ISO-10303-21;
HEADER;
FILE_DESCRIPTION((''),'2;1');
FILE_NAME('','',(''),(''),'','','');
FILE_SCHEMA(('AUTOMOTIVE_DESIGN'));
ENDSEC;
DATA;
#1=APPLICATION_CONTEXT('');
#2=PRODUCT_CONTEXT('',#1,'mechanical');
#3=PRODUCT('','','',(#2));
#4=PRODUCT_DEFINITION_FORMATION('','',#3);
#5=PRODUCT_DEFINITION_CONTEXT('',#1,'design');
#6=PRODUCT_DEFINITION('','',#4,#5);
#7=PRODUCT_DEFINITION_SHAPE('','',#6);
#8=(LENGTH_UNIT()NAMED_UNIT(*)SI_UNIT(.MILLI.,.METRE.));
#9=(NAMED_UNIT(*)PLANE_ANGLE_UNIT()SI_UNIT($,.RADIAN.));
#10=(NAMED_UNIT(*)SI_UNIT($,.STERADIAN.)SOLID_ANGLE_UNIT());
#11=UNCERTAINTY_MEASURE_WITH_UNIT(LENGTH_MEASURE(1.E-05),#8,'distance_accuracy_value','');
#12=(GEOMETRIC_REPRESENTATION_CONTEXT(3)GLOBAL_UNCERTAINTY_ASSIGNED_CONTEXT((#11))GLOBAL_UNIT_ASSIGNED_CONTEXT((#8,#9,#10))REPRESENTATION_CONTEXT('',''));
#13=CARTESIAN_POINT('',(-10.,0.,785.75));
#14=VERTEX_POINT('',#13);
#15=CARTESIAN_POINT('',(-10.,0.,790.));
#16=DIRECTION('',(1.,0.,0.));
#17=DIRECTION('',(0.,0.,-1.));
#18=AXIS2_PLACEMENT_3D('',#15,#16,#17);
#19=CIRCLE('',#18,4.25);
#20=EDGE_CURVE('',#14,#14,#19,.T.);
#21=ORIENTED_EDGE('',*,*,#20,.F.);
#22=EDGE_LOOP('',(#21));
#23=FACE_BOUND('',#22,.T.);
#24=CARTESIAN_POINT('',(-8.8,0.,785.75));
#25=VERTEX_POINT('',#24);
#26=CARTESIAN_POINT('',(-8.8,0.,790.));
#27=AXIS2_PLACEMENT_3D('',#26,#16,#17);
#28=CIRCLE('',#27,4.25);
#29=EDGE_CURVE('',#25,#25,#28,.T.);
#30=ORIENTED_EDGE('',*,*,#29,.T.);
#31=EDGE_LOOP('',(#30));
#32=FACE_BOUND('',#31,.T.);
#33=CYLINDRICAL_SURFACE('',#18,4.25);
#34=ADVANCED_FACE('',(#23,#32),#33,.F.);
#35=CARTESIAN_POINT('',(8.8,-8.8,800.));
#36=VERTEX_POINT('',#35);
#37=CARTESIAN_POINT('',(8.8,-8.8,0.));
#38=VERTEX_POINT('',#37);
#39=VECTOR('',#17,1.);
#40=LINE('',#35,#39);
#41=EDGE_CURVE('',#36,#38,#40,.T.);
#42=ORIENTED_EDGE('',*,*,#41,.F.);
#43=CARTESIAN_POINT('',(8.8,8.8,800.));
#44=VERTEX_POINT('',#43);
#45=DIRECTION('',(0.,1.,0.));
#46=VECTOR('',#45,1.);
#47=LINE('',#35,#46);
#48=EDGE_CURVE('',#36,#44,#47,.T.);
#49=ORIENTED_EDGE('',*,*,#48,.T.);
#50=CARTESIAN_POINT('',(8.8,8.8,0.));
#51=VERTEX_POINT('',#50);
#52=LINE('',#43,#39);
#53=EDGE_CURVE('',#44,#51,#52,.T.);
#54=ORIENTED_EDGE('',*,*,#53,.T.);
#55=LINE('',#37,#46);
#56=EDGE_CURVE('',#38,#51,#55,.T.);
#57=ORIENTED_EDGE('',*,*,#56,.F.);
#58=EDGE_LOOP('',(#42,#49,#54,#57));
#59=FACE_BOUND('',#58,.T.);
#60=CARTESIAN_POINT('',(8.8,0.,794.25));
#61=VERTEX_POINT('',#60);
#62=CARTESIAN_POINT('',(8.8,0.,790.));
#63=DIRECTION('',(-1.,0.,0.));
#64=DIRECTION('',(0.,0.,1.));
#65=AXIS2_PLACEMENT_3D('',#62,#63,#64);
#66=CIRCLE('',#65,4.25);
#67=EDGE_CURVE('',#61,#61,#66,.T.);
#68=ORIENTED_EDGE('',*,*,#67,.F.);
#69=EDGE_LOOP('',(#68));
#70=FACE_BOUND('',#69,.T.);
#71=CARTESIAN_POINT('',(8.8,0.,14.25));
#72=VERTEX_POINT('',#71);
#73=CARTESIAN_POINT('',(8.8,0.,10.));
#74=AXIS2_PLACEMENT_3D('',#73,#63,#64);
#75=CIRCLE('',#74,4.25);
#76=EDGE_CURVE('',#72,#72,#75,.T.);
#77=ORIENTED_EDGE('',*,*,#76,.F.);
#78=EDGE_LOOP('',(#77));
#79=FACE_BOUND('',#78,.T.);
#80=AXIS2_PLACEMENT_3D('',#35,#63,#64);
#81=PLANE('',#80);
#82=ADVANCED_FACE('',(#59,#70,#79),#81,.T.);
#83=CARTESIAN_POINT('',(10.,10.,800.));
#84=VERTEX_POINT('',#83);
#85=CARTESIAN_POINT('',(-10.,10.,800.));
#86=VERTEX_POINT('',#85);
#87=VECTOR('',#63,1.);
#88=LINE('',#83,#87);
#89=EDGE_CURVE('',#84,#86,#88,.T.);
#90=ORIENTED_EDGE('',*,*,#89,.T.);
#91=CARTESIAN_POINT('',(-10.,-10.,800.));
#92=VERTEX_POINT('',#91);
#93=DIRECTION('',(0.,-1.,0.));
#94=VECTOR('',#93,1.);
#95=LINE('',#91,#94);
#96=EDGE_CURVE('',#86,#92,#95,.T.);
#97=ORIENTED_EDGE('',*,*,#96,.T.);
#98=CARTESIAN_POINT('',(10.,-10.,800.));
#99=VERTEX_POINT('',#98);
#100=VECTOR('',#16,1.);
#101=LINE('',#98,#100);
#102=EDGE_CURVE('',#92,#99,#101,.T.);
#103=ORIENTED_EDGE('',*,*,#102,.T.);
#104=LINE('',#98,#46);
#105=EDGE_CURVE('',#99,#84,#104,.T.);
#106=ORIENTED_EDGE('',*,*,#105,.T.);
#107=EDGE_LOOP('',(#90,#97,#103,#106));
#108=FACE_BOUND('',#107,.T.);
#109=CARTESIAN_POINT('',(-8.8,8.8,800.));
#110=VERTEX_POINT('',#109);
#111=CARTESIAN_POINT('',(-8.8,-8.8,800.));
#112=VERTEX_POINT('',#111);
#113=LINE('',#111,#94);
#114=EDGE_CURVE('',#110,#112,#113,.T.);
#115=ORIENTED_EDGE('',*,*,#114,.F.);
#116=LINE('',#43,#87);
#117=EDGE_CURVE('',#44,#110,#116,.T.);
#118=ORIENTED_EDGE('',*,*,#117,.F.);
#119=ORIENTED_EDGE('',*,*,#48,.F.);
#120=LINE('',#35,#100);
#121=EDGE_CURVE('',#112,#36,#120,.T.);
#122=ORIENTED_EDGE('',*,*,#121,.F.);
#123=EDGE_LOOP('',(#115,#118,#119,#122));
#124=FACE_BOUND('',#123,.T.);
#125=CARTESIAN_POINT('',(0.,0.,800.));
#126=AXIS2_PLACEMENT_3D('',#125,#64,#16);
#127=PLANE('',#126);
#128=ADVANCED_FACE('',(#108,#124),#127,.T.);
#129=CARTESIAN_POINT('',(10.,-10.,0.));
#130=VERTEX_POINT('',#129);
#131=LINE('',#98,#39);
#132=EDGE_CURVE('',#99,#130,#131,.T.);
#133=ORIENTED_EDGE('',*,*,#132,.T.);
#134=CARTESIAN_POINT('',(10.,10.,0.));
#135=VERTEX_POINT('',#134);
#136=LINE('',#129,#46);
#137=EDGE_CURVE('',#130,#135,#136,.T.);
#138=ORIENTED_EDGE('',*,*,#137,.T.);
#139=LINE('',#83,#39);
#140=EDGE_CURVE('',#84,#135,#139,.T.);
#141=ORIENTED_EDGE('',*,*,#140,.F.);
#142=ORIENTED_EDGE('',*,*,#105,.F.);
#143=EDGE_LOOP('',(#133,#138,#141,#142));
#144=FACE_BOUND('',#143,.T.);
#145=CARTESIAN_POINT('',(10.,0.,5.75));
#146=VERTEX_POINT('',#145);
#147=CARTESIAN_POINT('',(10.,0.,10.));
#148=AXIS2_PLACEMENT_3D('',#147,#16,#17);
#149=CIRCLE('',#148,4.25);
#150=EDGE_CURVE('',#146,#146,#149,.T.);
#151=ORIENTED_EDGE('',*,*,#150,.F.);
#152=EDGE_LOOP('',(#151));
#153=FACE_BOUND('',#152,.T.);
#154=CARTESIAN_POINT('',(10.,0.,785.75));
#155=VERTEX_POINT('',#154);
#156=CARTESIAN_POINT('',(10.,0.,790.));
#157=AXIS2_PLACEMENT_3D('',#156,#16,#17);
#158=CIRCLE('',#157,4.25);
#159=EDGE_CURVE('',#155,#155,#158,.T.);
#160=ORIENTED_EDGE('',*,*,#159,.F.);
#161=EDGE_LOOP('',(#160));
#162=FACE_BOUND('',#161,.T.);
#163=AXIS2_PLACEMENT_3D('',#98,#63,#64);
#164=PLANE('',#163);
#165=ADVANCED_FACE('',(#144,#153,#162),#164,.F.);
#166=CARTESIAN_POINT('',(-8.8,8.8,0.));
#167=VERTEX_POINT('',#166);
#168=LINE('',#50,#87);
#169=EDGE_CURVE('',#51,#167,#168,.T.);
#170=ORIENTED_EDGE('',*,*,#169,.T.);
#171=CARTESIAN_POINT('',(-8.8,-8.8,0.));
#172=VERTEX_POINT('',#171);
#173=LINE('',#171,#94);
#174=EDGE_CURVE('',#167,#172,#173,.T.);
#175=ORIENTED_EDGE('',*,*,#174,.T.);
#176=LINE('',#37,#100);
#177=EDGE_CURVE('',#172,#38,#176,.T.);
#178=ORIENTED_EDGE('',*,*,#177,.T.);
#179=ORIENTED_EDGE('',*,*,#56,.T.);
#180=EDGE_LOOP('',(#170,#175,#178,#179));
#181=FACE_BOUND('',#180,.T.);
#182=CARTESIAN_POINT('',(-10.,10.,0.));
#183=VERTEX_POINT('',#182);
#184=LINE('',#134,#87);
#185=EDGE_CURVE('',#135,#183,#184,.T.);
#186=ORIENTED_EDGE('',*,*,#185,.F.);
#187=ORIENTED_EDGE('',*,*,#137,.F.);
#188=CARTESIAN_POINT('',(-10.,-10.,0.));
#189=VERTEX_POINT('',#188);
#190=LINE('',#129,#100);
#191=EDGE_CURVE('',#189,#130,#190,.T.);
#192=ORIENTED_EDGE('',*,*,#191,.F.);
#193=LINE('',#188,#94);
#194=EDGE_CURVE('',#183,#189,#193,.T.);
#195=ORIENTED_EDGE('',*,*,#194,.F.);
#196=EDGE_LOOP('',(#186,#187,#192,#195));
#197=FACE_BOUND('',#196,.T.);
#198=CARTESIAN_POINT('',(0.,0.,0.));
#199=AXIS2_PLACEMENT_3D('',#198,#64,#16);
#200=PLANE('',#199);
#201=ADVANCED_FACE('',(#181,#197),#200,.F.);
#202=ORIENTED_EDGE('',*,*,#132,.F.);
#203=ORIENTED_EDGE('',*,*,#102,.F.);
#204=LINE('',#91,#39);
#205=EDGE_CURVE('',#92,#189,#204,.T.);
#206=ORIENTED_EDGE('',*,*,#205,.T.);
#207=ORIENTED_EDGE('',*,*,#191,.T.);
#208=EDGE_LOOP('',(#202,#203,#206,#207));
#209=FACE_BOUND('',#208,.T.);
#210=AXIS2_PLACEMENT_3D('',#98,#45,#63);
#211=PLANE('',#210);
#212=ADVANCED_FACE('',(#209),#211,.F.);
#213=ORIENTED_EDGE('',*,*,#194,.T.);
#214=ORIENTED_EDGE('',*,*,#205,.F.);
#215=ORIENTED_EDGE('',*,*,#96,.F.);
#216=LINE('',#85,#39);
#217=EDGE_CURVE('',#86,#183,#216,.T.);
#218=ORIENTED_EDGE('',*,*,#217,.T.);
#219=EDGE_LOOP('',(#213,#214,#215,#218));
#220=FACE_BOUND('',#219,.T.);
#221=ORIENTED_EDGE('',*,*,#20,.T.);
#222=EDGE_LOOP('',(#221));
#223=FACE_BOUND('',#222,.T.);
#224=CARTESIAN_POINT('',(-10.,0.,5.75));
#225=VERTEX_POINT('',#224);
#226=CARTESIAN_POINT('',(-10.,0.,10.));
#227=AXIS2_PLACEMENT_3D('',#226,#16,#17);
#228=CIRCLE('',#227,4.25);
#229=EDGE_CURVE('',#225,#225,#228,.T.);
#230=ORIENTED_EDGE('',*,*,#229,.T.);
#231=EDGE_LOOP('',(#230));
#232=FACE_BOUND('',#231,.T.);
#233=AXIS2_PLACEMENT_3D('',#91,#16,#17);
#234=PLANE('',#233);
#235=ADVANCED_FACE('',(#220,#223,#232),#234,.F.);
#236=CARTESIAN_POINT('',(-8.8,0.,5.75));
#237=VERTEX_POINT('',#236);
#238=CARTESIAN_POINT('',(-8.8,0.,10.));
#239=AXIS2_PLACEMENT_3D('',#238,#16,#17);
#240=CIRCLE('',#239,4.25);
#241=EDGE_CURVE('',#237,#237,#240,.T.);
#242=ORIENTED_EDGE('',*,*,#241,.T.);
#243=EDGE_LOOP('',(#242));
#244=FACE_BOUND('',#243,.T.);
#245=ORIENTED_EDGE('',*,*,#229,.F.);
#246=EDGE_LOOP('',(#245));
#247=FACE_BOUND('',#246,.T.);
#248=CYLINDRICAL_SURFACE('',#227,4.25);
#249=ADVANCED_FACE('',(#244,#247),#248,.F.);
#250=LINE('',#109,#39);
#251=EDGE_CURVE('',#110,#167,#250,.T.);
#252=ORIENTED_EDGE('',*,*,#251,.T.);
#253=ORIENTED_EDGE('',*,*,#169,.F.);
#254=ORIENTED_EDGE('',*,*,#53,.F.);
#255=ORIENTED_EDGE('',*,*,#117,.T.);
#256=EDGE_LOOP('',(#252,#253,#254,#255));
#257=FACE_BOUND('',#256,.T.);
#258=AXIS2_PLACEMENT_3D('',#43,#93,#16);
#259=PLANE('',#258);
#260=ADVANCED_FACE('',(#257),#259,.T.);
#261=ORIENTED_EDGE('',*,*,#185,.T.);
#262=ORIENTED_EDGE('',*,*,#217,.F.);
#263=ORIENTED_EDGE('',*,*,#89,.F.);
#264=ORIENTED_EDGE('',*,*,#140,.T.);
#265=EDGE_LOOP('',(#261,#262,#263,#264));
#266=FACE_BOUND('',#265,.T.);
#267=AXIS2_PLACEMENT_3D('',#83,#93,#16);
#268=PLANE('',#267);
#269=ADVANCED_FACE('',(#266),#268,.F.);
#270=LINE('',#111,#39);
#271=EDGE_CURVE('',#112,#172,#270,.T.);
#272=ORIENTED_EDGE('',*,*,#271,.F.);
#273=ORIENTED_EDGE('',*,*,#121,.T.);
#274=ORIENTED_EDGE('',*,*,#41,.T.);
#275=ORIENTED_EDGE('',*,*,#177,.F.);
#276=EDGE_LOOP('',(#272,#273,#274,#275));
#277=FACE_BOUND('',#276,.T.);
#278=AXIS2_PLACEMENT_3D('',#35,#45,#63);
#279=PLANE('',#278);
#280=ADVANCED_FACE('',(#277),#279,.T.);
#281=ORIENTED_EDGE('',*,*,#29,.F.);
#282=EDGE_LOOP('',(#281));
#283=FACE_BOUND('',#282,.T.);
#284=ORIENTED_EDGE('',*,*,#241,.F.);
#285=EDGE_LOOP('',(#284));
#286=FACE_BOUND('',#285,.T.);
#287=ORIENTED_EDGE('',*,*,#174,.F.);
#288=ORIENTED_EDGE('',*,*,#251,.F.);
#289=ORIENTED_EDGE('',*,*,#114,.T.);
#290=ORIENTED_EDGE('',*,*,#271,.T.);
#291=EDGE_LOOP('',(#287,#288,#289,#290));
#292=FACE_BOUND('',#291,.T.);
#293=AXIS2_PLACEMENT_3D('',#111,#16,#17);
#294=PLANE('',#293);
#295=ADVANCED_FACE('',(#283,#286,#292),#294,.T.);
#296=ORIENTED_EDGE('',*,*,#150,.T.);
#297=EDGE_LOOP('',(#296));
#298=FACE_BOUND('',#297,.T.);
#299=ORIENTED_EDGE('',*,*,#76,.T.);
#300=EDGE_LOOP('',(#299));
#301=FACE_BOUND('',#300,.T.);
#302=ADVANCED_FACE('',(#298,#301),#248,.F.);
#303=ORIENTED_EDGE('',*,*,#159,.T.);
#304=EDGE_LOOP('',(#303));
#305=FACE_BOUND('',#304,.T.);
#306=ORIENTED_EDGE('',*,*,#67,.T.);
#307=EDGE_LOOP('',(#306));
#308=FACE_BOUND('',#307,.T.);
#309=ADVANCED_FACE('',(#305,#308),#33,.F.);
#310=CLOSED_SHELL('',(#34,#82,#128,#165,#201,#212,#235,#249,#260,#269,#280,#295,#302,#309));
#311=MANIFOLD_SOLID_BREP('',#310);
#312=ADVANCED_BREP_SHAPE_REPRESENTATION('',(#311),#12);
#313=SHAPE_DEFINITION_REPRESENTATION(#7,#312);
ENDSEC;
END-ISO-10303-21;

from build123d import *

# Parameters (mm, degrees)
SKETCH1_W           = 20
SKETCH1_H           = 20
SKETCH1_W_2         = 17.6
SKETCH1_H_2         = 17.6
BOSS_EXTRUDE1_DEPTH = 800
SKETCH2_R           = 4.25
CUT_EXTRUDE1_DEPTH  = 801.312438989


with BuildPart() as part:
    # Sketch1 → Boss-Extrude1 (new body)
    with BuildSketch(Plane.XY):
        Rectangle(SKETCH1_W, SKETCH1_H)
        Rectangle(SKETCH1_W_2, SKETCH1_H_2, mode=Mode.SUBTRACT)
    extrude(amount=BOSS_EXTRUDE1_DEPTH)

    # Sketch2 → Cut-Extrude1 (cut, through all)
    with BuildSketch(Plane(origin=(10, 0, 0), x_dir=(0, 0, -1), z_dir=(1, 0, 0))):
        with Locations((-10, 0)):
            Circle(SKETCH2_R)
        with Locations((-790, 0)):
            Circle(SKETCH2_R)
    extrude(amount=-CUT_EXTRUDE1_DEPTH, mode=Mode.SUBTRACT)


solid = part.part
